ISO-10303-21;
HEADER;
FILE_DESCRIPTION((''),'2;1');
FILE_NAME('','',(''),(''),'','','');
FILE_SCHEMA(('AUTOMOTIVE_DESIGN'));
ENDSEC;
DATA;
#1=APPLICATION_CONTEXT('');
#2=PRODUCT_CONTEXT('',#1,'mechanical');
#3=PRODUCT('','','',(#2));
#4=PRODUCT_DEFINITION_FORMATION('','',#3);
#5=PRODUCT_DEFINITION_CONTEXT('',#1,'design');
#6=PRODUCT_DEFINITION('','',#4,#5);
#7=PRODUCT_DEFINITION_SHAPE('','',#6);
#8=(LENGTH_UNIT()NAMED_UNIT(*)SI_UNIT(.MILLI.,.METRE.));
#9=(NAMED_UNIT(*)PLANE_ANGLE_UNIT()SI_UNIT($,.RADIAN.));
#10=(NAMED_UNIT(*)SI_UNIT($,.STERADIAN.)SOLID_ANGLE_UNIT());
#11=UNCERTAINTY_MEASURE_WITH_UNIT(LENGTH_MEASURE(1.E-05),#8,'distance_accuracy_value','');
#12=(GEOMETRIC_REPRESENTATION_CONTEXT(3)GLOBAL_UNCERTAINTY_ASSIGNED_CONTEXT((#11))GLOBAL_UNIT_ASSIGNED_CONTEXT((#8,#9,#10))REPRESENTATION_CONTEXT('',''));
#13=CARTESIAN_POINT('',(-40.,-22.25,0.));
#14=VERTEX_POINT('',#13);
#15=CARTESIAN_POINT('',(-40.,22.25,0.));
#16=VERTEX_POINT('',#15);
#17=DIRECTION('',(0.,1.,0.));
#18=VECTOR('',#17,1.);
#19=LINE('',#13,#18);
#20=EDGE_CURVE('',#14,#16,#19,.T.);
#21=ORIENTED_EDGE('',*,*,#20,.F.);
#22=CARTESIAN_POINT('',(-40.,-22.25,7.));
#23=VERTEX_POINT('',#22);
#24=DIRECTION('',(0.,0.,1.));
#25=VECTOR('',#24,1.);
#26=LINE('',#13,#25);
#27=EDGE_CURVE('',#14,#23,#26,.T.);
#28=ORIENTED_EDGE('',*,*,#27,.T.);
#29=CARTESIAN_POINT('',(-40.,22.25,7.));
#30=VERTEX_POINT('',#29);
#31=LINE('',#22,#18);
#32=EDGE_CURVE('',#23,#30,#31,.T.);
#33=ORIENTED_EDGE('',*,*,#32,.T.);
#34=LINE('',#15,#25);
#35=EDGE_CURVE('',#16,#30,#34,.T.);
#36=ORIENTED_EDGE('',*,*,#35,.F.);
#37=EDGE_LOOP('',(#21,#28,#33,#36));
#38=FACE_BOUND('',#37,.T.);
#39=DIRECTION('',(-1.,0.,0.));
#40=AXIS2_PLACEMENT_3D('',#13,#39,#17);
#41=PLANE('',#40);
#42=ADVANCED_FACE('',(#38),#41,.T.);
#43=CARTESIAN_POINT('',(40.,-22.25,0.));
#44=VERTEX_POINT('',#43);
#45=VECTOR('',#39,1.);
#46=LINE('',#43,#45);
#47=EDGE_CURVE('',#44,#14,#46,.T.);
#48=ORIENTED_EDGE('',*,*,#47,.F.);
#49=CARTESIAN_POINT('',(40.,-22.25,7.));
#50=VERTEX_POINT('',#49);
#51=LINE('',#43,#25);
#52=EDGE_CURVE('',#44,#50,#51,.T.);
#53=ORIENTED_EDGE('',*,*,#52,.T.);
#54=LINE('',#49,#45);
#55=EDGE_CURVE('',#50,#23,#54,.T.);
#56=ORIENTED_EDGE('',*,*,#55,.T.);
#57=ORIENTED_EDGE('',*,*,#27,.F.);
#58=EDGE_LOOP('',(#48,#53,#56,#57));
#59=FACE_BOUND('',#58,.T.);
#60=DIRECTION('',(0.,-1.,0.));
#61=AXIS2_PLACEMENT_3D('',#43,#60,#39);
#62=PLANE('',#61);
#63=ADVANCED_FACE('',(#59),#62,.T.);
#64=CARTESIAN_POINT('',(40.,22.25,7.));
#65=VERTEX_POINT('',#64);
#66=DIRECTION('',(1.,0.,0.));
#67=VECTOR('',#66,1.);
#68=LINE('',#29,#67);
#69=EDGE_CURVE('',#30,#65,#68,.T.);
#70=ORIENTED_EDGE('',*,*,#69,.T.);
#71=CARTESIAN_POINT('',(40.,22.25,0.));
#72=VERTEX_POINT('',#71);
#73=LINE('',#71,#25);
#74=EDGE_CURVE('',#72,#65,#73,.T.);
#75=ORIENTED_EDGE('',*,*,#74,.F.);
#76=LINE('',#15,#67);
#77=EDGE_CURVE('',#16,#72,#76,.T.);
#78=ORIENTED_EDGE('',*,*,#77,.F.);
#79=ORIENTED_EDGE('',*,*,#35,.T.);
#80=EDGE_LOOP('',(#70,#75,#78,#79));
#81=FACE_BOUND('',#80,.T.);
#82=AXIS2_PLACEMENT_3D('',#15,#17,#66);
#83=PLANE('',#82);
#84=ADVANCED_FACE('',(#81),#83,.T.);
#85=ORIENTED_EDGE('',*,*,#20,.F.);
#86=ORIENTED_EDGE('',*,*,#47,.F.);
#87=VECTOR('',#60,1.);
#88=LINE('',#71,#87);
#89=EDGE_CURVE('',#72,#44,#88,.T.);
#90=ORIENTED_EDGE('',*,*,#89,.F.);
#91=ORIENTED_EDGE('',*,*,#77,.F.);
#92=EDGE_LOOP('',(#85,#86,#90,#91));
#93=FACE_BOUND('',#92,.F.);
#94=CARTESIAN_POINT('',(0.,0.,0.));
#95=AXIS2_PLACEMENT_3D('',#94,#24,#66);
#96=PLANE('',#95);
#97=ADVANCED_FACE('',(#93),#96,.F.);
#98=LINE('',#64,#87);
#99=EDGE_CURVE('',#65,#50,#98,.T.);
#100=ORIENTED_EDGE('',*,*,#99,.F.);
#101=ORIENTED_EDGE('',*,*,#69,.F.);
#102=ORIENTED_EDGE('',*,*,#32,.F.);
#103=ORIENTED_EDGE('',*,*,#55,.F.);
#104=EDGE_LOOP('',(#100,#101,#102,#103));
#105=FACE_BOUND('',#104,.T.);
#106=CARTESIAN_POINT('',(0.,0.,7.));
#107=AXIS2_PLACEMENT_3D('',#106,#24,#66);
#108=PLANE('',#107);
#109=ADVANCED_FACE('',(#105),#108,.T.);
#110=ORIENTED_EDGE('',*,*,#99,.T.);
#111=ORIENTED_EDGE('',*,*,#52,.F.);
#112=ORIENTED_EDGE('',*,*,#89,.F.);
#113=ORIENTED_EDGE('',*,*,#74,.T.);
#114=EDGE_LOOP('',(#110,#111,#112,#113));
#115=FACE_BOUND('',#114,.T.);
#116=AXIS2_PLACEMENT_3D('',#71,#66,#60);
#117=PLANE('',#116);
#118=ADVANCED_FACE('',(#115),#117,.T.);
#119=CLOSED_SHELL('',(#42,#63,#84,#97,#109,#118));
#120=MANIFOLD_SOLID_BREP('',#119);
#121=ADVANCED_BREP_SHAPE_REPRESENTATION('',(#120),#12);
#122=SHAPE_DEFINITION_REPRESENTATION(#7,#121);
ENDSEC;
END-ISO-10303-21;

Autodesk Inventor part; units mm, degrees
ref_plane "YZ Plane" through (0, 0, 0) normal (1, 0, 0) x (0, 1, 0)
ref_plane "XZ Plane" through (0, 0, 0) normal (0, 1, 0) x (-1, 0, 0)
ref_plane "XY Plane" through (0, 0, 0) normal (0, 0, 1) x (1, 0, 0)
sketch "Эскиз1" plane through (0, 0, 0) normal (0, 0, 1) x (1, 0, 0)
  line L0 (-40, 22.25) -> (40, 22.25)
  line L1 (40, 22.25) -> (40, -22.25)
  line L2 (40, -22.25) -> (-40, -22.25)
  line L3 (-40, -22.25) -> (-40, 22.25)
  line L4 (-40, 22.25) -> (40, -22.25) construction
  line L5 (40, 22.25) -> (-40, -22.25) construction
  point P0 (0, 0)
  dimension "d0" = 80
  dimension "d1" = 44.5
extrude "Выдавливание1" add sketch "Эскиз1" along normal blind 7
properties part number "ЛЦМК000002.00.00.00.00.17"
